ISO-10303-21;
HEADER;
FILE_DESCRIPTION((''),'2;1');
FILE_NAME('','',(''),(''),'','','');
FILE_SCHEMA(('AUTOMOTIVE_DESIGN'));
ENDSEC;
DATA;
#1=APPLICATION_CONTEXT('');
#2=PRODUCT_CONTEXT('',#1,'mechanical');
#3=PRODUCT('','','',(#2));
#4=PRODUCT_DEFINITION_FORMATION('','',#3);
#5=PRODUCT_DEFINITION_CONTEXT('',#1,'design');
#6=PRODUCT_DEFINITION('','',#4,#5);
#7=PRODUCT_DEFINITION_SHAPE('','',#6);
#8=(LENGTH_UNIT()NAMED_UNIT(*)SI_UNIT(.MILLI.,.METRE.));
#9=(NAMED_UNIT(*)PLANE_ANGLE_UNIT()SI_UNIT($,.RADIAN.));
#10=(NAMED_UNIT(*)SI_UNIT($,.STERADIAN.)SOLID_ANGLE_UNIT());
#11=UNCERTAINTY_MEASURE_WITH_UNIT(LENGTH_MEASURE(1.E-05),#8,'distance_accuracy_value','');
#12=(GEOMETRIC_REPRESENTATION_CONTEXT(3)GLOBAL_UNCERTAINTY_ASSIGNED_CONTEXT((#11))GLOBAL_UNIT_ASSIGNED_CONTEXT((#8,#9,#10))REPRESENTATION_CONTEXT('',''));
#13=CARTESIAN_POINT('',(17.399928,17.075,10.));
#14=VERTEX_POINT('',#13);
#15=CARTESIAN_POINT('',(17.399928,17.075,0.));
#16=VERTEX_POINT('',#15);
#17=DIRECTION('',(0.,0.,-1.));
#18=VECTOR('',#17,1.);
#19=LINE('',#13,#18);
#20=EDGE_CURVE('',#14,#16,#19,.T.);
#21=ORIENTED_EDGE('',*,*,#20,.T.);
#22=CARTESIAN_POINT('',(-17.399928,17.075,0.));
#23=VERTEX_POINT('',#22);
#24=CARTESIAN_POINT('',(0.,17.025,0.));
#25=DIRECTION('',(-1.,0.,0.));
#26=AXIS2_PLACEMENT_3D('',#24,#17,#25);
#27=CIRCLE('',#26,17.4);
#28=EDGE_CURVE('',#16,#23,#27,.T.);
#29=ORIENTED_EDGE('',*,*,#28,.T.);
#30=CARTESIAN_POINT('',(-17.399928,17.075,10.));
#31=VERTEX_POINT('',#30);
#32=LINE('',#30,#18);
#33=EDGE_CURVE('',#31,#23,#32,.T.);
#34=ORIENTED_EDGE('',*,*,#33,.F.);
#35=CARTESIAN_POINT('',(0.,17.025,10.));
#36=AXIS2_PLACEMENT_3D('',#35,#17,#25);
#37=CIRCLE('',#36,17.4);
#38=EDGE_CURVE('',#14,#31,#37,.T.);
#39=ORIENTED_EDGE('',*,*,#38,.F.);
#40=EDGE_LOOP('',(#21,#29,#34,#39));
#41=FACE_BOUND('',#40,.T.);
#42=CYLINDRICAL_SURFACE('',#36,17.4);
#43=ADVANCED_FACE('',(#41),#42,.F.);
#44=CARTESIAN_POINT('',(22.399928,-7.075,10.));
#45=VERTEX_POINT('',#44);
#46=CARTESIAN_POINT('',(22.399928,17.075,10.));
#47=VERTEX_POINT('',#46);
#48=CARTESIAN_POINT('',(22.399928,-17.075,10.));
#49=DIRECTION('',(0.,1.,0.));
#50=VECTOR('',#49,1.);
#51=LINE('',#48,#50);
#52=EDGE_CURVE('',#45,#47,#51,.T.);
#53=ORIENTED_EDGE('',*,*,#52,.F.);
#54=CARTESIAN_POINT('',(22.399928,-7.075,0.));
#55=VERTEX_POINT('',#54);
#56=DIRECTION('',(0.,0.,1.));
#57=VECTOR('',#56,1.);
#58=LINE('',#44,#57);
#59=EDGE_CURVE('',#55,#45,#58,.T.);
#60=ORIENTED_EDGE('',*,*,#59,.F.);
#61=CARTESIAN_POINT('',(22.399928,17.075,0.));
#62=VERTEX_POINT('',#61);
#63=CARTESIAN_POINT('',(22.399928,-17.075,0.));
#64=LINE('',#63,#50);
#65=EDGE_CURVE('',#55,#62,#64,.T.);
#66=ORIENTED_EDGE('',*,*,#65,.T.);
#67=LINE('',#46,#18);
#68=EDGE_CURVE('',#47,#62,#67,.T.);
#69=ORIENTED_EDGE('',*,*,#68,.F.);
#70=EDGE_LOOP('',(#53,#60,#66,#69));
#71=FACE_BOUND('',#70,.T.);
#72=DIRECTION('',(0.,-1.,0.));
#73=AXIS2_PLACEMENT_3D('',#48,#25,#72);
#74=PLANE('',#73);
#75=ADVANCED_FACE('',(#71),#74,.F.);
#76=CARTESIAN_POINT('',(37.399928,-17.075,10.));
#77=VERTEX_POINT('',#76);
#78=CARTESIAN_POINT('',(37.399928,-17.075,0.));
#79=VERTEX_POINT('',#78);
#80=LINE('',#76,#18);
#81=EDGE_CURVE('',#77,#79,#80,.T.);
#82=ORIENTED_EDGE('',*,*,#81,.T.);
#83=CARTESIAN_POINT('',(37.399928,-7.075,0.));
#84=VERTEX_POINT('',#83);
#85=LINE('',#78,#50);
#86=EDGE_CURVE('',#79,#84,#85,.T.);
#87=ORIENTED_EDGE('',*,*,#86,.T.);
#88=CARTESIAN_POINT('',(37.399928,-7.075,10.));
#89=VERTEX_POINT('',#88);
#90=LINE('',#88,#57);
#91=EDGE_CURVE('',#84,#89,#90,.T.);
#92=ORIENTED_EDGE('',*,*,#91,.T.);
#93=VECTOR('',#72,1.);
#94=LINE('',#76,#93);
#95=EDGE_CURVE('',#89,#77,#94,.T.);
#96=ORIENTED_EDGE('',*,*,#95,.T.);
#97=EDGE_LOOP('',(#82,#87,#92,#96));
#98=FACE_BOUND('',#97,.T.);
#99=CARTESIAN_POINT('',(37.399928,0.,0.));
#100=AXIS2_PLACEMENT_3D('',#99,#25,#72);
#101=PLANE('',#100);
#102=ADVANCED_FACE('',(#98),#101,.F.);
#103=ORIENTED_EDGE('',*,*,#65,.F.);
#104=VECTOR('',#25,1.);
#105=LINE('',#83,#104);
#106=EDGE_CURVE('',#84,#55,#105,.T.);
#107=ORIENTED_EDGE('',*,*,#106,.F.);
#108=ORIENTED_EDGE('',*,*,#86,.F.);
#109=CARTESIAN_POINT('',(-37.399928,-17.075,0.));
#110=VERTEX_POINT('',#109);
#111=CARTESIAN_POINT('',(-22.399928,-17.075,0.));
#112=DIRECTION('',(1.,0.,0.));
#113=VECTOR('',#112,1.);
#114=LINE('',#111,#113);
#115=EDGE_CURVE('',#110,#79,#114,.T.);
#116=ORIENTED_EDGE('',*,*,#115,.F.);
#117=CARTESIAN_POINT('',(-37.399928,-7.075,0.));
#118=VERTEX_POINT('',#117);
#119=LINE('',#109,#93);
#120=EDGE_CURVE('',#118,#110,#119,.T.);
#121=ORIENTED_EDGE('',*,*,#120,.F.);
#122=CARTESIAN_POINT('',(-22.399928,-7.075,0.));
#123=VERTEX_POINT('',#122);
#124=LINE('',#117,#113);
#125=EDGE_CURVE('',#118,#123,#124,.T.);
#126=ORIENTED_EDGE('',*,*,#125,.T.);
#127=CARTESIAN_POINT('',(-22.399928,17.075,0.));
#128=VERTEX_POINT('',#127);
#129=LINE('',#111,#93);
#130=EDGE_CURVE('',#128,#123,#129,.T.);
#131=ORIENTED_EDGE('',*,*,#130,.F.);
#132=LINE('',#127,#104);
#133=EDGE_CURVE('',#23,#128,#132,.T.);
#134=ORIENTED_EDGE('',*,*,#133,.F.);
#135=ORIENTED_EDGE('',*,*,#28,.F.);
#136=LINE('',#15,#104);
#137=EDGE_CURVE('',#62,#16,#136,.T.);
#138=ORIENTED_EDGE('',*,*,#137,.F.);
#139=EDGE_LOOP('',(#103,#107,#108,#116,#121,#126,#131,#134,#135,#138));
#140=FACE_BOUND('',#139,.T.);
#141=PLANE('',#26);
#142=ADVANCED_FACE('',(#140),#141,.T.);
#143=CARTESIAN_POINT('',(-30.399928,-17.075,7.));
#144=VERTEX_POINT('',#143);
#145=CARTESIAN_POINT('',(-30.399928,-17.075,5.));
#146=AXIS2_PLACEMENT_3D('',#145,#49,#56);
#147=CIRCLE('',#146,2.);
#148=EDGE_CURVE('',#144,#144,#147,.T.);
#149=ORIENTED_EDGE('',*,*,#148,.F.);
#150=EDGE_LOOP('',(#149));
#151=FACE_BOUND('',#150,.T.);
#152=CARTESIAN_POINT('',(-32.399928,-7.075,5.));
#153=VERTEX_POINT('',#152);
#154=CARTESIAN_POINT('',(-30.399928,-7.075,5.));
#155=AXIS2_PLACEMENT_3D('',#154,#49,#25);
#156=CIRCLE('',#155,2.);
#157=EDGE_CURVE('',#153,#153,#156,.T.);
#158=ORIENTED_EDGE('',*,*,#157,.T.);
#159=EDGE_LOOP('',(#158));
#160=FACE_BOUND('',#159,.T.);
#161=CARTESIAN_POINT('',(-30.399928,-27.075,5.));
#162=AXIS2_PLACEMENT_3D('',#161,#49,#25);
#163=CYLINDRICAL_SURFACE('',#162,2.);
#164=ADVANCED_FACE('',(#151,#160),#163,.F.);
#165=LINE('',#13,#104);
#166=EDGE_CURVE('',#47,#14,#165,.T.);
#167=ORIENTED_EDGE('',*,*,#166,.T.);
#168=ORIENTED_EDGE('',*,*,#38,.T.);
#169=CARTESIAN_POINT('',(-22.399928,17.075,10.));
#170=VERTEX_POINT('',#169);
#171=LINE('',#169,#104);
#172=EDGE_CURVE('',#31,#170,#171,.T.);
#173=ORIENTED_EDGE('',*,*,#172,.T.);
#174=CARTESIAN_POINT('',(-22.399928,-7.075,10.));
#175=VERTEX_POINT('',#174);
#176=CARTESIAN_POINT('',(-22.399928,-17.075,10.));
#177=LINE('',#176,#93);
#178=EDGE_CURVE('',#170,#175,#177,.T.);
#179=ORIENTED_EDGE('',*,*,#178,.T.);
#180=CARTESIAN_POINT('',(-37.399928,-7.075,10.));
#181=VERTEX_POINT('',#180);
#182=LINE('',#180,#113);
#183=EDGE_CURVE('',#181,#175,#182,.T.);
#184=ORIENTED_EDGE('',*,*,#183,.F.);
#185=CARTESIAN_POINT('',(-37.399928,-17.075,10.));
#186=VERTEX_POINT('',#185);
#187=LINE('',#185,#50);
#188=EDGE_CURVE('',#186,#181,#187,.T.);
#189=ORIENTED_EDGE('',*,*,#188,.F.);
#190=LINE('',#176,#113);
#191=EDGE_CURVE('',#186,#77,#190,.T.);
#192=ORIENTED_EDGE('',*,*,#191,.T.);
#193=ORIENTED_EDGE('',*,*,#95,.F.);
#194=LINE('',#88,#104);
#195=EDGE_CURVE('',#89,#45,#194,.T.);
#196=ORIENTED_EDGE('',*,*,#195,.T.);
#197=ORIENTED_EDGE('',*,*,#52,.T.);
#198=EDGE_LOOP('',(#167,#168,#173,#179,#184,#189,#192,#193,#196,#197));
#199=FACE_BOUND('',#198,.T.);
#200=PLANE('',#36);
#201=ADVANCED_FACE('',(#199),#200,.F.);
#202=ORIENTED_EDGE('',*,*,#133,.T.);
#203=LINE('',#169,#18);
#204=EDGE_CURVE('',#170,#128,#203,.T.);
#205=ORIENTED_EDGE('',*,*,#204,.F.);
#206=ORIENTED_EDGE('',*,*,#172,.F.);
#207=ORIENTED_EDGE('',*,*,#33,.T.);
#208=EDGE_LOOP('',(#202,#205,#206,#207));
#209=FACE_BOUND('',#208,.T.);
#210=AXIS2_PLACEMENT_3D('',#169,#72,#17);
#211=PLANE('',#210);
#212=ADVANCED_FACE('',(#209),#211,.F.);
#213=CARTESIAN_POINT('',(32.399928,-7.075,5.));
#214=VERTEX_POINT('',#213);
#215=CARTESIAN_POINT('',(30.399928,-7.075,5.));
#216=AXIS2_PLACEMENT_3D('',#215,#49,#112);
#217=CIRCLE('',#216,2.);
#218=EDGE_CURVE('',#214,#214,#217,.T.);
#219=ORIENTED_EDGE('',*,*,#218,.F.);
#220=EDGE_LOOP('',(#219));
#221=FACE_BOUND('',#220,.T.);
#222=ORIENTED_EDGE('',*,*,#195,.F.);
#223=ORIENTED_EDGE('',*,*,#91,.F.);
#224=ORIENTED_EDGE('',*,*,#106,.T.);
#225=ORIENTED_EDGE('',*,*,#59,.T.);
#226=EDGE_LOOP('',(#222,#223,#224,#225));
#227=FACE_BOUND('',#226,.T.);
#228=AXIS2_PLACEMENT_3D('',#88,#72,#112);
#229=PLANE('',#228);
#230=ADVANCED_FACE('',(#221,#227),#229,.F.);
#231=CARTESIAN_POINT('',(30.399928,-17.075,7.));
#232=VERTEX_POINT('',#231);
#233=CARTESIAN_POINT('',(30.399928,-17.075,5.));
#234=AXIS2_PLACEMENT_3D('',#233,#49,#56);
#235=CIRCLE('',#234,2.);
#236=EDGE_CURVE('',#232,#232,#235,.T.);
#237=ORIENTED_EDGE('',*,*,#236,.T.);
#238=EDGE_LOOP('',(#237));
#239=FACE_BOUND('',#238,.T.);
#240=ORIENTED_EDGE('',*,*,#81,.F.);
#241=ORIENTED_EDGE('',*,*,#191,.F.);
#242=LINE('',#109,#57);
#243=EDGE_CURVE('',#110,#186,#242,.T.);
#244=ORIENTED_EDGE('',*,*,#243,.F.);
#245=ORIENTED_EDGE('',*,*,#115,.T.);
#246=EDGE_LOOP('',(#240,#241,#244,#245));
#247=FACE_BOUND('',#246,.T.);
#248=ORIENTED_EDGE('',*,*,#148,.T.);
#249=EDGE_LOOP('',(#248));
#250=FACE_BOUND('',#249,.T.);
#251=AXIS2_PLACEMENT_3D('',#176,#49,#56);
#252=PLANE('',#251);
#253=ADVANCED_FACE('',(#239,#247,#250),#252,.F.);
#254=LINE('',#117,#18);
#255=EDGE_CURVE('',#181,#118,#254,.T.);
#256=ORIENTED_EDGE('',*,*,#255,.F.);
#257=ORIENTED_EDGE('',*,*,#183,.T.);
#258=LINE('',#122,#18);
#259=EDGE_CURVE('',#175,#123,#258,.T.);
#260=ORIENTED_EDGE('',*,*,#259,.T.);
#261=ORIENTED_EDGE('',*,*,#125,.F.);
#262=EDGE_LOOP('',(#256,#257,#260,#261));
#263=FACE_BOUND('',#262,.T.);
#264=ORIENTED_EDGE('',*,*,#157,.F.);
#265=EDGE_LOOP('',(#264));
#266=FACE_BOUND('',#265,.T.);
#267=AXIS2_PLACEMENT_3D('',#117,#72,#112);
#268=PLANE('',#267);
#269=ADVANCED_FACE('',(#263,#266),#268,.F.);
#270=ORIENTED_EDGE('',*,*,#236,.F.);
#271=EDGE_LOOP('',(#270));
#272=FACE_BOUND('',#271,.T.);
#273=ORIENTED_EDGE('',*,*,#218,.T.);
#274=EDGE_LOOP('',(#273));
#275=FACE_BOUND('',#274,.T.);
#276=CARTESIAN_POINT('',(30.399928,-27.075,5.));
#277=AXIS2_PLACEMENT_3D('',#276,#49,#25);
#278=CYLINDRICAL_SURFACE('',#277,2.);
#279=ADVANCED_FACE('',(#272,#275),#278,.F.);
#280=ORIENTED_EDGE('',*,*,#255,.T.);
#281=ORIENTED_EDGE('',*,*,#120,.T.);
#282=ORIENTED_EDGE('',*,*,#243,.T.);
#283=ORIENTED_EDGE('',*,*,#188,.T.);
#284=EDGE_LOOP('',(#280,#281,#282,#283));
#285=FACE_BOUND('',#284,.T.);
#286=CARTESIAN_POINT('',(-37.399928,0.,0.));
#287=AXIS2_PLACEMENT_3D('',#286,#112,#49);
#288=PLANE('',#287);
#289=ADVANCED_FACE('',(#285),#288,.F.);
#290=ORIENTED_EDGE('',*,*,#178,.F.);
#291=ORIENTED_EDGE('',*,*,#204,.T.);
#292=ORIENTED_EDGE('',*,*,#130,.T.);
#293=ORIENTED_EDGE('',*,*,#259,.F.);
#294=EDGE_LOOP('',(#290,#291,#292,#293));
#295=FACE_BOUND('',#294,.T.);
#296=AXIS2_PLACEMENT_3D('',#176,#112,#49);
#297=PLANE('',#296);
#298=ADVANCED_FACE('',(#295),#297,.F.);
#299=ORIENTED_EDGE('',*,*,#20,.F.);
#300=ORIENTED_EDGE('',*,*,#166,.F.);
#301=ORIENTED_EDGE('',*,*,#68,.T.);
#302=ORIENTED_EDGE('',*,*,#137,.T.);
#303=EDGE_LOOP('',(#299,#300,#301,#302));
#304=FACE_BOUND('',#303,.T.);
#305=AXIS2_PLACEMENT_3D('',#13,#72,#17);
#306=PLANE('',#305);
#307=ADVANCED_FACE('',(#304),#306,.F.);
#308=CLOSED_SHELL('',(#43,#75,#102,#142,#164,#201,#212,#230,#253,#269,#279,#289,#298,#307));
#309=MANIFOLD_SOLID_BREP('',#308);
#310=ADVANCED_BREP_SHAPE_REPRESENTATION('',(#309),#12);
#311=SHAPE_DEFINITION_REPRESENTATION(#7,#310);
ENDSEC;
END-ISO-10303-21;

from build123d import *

# Parameters (mm, degrees)
BOSS_EXTRU_1_DEPTH      = 10
ESQUISSE2_W             = 10
ESQUISSE2_H             = 10
BOSS_EXTRU_2_DEPTH      = 15
ESQUISSE3_W             = 10
ESQUISSE3_H             = 10
BOSS_EXTRU_3_DEPTH      = 15
ESQUISSE4_R             = 2
ENL_V_MAT_EXTRU_1_DEPTH = 20


with BuildPart() as part:
    # Esquisse1 → Boss.-Extru.1 (new body)
    with BuildSketch(Plane.XY):
        with BuildLine():
            Line((-22.399928161, 17.075), (-17.399928161, 17.075))
            ThreePointArc((-17.399928161, 17.075), (0, -0.375), (17.399928161, 17.075))
            Line((17.399928161, 17.075), (22.399928161, 17.075))
            Line((22.399928161, 17.075), (22.399928161, -17.075))
            Line((22.399928161, -17.075), (-22.399928161, -17.075))
            Line((-22.399928161, -17.075), (-22.399928161, 17.075))
        make_face()
    extrude(amount=BOSS_EXTRU_1_DEPTH)

    # Esquisse2 → Boss.-Extru.2 (add)
    with BuildSketch(Plane.ZY.offset(22.399928161)):
        with Locations((5, -12.075)):
            Rectangle(ESQUISSE2_W, ESQUISSE2_H)
    extrude(amount=BOSS_EXTRU_2_DEPTH)

    # Esquisse3 → Boss.-Extru.3 (add)
    with BuildSketch(Plane(origin=(22.399928161, 0, 0), x_dir=(0, 0, -1), z_dir=(1, 0, 0))):
        with Locations((-5, -12.075)):
            Rectangle(ESQUISSE3_W, ESQUISSE3_H)
    extrude(amount=BOSS_EXTRU_3_DEPTH)

    # Esquisse4 → Enlèv. mat.-Extru.1 (cut)
    with BuildSketch(Plane(origin=(0, -7.075, 0), x_dir=(1, 0, 0), z_dir=(0, 1, 0))):
        with Locations(Location((-30.399928161, -5, 0), (0, 0, 180))):
            Circle(ESQUISSE4_R)
        with Locations(Location((30.399928161, -5, 0), (0, 0, 270))):
            Circle(ESQUISSE4_R)
    extrude(amount=-ENL_V_MAT_EXTRU_1_DEPTH, mode=Mode.SUBTRACT)


solid = part.part
